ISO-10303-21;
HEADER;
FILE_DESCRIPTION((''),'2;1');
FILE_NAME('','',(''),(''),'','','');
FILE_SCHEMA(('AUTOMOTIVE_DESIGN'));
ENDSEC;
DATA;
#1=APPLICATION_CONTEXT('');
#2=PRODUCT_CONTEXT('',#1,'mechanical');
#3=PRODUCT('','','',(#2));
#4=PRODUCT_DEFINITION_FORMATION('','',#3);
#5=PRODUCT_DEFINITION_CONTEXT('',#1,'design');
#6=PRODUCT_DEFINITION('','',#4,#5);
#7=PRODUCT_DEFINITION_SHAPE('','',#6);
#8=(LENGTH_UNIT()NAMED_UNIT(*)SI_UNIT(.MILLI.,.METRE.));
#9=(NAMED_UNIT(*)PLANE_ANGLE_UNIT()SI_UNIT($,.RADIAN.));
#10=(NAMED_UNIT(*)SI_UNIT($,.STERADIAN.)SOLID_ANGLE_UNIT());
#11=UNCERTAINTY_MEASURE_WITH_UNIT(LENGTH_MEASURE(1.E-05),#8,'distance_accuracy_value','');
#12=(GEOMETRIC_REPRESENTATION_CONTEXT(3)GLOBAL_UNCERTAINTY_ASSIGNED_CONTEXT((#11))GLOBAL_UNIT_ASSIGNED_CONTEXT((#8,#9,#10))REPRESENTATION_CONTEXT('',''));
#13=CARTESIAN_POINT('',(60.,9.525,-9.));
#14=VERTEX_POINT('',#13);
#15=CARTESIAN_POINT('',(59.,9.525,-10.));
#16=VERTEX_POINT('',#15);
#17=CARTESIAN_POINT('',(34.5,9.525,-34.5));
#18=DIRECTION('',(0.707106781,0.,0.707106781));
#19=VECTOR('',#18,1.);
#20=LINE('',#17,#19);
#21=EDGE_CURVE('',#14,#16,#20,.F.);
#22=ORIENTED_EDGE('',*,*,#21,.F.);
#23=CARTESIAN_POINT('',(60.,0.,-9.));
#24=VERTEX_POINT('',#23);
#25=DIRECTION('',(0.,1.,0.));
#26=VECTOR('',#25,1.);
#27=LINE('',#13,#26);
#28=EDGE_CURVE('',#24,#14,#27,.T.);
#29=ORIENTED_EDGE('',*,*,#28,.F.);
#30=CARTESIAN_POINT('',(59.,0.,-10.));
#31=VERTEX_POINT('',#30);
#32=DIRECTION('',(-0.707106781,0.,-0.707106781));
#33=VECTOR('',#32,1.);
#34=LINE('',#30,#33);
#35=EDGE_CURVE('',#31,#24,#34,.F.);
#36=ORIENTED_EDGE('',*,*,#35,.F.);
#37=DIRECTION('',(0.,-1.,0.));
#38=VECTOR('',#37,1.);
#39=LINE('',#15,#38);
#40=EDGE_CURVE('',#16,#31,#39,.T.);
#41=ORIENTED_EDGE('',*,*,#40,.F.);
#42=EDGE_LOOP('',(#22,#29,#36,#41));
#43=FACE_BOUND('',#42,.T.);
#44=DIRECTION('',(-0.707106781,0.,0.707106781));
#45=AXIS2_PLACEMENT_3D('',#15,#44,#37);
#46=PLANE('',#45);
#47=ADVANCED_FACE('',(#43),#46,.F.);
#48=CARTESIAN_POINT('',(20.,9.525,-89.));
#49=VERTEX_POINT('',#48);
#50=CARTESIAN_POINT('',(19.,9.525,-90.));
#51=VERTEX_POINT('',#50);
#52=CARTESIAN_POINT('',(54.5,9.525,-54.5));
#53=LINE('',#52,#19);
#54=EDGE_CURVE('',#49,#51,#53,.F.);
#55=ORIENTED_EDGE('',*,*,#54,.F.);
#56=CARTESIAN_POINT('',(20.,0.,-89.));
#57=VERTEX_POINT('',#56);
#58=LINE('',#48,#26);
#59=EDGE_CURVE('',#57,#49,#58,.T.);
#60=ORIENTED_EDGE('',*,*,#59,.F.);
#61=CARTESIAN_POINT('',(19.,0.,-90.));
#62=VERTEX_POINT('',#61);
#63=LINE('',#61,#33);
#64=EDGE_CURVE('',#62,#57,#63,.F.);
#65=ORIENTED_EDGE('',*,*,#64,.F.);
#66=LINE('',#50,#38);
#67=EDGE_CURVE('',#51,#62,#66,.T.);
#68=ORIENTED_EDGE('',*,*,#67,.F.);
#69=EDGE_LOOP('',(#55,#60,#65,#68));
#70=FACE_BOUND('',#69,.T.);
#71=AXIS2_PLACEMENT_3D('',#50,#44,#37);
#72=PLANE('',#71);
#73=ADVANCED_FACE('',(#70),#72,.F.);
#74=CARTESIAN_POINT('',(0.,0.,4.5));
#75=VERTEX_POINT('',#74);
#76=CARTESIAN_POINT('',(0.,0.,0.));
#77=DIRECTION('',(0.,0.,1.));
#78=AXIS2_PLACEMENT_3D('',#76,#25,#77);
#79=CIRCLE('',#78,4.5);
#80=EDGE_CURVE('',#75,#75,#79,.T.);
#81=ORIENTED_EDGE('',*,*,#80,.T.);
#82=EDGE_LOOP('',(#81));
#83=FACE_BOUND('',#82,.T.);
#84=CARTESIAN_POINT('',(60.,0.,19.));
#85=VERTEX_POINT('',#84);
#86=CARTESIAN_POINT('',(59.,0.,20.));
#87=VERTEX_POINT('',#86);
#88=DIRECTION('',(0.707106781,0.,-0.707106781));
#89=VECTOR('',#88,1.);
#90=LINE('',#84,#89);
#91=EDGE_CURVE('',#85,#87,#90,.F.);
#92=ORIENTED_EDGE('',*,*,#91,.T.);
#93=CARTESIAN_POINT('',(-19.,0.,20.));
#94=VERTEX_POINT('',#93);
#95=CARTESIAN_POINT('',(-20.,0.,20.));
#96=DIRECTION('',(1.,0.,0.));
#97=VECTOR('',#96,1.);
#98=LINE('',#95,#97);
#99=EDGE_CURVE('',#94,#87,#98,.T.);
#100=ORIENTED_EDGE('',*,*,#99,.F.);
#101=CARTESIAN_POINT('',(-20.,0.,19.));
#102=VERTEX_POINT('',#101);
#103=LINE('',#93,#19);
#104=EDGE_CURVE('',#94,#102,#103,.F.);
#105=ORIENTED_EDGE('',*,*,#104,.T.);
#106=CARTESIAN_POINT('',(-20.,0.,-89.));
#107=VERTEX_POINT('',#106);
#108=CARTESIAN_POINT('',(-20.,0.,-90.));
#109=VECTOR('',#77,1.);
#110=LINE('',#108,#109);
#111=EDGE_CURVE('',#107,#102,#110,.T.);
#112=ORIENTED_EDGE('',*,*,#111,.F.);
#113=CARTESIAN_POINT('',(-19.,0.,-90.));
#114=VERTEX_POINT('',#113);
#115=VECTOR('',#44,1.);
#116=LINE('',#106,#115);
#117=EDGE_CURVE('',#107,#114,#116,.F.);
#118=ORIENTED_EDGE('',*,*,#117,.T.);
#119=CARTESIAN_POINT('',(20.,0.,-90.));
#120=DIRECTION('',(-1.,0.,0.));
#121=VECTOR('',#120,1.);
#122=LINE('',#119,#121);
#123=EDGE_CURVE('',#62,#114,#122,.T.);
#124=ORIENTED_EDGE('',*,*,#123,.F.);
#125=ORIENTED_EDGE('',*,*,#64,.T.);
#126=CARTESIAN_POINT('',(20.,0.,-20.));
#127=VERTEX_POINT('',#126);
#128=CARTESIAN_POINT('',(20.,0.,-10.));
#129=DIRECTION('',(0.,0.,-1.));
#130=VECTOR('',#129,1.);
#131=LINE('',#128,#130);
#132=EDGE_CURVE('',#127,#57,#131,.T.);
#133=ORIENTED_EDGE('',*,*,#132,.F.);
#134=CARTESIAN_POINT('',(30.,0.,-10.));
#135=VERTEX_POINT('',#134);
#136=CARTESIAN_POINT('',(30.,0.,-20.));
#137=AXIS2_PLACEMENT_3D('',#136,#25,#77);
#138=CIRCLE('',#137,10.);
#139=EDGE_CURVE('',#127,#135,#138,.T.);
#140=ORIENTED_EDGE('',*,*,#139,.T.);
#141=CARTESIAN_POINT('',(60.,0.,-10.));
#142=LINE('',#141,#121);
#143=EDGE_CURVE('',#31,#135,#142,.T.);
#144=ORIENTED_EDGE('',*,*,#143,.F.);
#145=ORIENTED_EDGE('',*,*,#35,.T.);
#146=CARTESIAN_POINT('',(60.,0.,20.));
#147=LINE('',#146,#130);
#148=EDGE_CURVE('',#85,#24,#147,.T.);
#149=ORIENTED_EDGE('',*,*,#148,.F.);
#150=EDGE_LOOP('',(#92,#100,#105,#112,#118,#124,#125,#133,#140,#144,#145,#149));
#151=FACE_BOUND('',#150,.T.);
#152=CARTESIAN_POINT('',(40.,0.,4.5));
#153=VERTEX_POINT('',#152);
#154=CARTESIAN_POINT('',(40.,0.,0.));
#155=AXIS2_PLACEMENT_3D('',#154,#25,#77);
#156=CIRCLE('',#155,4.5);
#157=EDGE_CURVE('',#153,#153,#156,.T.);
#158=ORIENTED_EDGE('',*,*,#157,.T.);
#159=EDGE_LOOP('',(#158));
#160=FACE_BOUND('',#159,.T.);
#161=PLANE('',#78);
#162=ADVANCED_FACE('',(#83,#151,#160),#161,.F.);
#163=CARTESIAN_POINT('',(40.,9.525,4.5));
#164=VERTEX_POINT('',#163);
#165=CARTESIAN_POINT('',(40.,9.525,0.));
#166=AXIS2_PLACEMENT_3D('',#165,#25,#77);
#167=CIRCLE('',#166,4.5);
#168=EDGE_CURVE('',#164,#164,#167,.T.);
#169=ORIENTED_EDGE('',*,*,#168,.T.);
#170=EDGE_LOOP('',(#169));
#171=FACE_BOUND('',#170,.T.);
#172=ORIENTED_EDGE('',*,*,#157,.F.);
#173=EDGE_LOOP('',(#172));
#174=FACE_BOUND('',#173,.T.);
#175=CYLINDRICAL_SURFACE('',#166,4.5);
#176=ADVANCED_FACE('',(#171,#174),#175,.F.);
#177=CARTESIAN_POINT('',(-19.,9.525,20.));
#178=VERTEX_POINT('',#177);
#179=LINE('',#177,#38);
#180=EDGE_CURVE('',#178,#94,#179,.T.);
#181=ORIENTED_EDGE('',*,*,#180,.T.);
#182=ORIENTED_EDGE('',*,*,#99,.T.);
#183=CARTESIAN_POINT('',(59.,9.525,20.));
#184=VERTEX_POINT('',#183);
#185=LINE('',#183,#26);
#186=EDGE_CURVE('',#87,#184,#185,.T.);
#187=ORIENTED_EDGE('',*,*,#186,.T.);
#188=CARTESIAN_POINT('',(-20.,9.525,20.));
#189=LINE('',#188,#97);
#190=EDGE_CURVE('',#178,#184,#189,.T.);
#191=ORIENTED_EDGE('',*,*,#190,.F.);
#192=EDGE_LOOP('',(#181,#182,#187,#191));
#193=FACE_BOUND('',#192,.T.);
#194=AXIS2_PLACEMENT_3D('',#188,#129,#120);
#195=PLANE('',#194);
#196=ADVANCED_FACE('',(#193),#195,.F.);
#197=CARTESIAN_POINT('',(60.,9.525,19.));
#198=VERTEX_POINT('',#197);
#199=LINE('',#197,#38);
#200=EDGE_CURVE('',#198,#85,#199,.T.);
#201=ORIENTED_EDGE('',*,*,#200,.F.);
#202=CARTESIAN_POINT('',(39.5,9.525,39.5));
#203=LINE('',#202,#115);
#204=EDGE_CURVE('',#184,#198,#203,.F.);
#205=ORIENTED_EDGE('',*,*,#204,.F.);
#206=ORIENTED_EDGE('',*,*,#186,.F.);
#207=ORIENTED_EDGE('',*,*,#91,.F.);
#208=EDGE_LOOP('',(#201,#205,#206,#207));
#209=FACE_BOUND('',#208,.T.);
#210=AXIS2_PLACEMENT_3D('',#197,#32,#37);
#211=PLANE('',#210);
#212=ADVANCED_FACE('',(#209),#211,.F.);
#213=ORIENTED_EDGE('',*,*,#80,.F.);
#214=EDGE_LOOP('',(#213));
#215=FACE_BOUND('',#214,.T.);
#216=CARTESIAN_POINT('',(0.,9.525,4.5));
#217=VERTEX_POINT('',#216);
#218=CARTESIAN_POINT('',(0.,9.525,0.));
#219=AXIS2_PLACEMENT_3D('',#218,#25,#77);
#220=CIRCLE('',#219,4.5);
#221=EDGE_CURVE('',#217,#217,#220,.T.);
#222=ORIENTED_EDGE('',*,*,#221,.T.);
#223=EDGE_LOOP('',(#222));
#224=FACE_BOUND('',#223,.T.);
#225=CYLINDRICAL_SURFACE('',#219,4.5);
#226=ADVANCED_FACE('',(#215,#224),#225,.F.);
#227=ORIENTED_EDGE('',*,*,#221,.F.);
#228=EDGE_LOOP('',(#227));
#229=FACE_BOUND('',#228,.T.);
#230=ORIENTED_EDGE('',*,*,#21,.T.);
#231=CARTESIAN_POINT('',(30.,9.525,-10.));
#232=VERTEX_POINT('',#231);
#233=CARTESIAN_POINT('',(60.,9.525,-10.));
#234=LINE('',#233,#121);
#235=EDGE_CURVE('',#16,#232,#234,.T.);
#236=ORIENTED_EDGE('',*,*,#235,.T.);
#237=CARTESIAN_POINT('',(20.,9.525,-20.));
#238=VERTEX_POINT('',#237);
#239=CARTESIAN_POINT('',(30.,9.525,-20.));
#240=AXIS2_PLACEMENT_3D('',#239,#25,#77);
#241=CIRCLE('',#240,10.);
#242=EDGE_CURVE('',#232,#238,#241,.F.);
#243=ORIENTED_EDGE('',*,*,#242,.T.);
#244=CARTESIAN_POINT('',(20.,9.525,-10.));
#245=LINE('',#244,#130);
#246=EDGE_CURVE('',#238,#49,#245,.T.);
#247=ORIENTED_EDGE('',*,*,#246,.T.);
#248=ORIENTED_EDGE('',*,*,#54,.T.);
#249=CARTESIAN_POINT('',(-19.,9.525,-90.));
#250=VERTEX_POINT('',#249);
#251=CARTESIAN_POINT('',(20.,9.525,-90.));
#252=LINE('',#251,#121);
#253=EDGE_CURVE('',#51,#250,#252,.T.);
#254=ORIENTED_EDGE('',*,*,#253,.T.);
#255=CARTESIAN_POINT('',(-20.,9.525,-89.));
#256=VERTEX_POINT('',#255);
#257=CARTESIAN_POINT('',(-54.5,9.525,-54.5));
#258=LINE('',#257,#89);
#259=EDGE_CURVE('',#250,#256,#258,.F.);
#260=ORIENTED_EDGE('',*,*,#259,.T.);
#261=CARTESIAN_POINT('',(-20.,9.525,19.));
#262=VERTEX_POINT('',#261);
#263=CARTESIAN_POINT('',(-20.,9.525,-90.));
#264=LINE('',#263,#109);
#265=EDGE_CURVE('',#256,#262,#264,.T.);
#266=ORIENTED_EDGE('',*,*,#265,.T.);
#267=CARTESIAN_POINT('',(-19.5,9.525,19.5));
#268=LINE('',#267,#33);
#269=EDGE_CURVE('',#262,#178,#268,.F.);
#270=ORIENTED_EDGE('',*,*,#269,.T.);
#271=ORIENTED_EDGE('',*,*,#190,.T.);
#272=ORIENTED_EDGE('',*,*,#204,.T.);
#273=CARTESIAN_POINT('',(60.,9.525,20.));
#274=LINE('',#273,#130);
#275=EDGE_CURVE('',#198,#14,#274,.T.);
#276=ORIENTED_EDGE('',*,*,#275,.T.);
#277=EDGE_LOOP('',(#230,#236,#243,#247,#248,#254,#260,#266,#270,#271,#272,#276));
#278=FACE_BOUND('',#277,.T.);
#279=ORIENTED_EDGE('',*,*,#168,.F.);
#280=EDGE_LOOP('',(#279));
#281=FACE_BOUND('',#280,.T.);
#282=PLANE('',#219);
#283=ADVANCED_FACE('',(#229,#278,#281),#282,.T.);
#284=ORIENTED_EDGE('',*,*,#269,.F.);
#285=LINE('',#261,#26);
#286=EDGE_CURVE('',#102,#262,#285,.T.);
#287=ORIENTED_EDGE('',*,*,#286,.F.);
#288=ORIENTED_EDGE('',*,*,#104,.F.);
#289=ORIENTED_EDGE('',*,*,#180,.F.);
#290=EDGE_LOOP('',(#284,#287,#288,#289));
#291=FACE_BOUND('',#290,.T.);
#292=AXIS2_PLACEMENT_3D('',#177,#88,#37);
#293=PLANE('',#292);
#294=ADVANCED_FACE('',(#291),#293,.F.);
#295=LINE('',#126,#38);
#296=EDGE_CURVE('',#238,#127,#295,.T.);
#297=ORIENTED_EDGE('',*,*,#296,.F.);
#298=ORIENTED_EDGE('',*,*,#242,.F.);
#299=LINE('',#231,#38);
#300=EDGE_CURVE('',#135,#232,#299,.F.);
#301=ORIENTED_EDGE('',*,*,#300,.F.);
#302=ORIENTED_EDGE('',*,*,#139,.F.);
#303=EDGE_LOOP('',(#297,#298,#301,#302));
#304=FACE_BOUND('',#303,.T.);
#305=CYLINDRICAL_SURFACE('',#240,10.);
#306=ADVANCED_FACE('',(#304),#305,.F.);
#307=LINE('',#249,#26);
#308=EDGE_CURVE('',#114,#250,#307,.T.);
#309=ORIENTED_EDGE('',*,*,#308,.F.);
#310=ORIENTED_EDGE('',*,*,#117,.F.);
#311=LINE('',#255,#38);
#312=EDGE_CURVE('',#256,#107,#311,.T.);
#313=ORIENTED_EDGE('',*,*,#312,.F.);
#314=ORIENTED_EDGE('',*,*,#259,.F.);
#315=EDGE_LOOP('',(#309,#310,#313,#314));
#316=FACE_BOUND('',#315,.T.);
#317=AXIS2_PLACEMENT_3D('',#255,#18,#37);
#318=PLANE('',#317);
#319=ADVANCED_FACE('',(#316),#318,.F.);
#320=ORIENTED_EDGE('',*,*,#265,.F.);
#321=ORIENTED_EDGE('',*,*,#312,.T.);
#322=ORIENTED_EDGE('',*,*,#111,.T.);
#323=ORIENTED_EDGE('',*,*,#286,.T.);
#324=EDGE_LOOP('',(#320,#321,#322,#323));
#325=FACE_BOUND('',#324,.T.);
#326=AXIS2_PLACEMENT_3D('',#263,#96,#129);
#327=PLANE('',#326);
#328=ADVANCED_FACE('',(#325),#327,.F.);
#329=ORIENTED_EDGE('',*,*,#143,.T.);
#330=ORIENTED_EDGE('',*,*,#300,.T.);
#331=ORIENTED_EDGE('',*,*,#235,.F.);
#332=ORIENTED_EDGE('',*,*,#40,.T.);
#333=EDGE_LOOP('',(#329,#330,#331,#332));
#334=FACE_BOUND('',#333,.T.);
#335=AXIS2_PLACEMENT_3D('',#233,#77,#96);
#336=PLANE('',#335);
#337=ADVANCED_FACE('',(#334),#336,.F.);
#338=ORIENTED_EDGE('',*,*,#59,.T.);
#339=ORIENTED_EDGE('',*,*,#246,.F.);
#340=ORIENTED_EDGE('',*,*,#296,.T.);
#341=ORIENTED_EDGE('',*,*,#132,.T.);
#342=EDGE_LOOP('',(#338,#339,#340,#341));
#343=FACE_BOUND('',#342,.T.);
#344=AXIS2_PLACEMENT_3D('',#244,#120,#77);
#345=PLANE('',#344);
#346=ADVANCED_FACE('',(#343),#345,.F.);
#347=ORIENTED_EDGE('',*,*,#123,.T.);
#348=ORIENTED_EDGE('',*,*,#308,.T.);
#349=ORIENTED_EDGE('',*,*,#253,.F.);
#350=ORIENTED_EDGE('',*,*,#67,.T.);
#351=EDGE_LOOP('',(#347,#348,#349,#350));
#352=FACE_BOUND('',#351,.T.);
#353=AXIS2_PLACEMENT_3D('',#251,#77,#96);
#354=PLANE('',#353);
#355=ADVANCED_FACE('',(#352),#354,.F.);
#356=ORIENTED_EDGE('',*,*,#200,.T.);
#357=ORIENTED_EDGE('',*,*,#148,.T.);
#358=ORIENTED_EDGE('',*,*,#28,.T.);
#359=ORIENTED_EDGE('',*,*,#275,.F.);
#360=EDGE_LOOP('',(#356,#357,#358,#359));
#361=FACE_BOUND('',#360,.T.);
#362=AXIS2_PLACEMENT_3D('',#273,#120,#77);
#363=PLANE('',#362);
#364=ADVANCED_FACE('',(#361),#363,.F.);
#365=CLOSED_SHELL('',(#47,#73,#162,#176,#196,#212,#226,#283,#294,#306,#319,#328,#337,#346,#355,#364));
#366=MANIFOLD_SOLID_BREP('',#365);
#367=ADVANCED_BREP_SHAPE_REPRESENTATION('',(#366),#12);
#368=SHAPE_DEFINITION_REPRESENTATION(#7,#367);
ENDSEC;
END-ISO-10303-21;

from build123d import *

# Parameters (mm, degrees)
BOSS_EXTRUDE1_DEPTH  = 9.525
M8_CLEARANCE_HOLE1_D = 9
FILLET1_R            = 10
CHAMFER1_SIZE        = 1


with BuildPart() as part:
    # Sketch1 → Boss-Extrude1 (new body)
    with BuildSketch(Plane(origin=(0, 0, 0), x_dir=(1, 0, 0), z_dir=(0, 1, 0))):
        Polygon((-20, 90), (-20, -20), (60, -20), (60, 10), (20, 10), (20, 90), align=None)
    extrude(amount=BOSS_EXTRUDE1_DEPTH)

    # M8 Clearance Hole1 (through all)
    with Locations(Plane(origin=(0, 9.525, 0), x_dir=(1, 0, 0), z_dir=(0, 1, 0))):
        with Locations((0, 0), (40, 0)):
            Hole(M8_CLEARANCE_HOLE1_D / 2)

    # Fillet1
    fillet1_edges = [part.edges().sort_by_distance(p)[0] for p in [
        (20, 4.7625, -10),
    ]]
    fillet(fillet1_edges, radius=FILLET1_R)

    # Chamfer1
    chamfer1_edges = [part.edges().sort_by_distance(p)[0] for p in [
        (20, 4.7625, -90),
        (60, 4.7625, -10),
        (60, 4.7625, 20),
        (-20, 4.7625, 20),
        (-20, 4.7625, -90),
    ]]
    chamfer(chamfer1_edges, length=CHAMFER1_SIZE)


solid = part.part
